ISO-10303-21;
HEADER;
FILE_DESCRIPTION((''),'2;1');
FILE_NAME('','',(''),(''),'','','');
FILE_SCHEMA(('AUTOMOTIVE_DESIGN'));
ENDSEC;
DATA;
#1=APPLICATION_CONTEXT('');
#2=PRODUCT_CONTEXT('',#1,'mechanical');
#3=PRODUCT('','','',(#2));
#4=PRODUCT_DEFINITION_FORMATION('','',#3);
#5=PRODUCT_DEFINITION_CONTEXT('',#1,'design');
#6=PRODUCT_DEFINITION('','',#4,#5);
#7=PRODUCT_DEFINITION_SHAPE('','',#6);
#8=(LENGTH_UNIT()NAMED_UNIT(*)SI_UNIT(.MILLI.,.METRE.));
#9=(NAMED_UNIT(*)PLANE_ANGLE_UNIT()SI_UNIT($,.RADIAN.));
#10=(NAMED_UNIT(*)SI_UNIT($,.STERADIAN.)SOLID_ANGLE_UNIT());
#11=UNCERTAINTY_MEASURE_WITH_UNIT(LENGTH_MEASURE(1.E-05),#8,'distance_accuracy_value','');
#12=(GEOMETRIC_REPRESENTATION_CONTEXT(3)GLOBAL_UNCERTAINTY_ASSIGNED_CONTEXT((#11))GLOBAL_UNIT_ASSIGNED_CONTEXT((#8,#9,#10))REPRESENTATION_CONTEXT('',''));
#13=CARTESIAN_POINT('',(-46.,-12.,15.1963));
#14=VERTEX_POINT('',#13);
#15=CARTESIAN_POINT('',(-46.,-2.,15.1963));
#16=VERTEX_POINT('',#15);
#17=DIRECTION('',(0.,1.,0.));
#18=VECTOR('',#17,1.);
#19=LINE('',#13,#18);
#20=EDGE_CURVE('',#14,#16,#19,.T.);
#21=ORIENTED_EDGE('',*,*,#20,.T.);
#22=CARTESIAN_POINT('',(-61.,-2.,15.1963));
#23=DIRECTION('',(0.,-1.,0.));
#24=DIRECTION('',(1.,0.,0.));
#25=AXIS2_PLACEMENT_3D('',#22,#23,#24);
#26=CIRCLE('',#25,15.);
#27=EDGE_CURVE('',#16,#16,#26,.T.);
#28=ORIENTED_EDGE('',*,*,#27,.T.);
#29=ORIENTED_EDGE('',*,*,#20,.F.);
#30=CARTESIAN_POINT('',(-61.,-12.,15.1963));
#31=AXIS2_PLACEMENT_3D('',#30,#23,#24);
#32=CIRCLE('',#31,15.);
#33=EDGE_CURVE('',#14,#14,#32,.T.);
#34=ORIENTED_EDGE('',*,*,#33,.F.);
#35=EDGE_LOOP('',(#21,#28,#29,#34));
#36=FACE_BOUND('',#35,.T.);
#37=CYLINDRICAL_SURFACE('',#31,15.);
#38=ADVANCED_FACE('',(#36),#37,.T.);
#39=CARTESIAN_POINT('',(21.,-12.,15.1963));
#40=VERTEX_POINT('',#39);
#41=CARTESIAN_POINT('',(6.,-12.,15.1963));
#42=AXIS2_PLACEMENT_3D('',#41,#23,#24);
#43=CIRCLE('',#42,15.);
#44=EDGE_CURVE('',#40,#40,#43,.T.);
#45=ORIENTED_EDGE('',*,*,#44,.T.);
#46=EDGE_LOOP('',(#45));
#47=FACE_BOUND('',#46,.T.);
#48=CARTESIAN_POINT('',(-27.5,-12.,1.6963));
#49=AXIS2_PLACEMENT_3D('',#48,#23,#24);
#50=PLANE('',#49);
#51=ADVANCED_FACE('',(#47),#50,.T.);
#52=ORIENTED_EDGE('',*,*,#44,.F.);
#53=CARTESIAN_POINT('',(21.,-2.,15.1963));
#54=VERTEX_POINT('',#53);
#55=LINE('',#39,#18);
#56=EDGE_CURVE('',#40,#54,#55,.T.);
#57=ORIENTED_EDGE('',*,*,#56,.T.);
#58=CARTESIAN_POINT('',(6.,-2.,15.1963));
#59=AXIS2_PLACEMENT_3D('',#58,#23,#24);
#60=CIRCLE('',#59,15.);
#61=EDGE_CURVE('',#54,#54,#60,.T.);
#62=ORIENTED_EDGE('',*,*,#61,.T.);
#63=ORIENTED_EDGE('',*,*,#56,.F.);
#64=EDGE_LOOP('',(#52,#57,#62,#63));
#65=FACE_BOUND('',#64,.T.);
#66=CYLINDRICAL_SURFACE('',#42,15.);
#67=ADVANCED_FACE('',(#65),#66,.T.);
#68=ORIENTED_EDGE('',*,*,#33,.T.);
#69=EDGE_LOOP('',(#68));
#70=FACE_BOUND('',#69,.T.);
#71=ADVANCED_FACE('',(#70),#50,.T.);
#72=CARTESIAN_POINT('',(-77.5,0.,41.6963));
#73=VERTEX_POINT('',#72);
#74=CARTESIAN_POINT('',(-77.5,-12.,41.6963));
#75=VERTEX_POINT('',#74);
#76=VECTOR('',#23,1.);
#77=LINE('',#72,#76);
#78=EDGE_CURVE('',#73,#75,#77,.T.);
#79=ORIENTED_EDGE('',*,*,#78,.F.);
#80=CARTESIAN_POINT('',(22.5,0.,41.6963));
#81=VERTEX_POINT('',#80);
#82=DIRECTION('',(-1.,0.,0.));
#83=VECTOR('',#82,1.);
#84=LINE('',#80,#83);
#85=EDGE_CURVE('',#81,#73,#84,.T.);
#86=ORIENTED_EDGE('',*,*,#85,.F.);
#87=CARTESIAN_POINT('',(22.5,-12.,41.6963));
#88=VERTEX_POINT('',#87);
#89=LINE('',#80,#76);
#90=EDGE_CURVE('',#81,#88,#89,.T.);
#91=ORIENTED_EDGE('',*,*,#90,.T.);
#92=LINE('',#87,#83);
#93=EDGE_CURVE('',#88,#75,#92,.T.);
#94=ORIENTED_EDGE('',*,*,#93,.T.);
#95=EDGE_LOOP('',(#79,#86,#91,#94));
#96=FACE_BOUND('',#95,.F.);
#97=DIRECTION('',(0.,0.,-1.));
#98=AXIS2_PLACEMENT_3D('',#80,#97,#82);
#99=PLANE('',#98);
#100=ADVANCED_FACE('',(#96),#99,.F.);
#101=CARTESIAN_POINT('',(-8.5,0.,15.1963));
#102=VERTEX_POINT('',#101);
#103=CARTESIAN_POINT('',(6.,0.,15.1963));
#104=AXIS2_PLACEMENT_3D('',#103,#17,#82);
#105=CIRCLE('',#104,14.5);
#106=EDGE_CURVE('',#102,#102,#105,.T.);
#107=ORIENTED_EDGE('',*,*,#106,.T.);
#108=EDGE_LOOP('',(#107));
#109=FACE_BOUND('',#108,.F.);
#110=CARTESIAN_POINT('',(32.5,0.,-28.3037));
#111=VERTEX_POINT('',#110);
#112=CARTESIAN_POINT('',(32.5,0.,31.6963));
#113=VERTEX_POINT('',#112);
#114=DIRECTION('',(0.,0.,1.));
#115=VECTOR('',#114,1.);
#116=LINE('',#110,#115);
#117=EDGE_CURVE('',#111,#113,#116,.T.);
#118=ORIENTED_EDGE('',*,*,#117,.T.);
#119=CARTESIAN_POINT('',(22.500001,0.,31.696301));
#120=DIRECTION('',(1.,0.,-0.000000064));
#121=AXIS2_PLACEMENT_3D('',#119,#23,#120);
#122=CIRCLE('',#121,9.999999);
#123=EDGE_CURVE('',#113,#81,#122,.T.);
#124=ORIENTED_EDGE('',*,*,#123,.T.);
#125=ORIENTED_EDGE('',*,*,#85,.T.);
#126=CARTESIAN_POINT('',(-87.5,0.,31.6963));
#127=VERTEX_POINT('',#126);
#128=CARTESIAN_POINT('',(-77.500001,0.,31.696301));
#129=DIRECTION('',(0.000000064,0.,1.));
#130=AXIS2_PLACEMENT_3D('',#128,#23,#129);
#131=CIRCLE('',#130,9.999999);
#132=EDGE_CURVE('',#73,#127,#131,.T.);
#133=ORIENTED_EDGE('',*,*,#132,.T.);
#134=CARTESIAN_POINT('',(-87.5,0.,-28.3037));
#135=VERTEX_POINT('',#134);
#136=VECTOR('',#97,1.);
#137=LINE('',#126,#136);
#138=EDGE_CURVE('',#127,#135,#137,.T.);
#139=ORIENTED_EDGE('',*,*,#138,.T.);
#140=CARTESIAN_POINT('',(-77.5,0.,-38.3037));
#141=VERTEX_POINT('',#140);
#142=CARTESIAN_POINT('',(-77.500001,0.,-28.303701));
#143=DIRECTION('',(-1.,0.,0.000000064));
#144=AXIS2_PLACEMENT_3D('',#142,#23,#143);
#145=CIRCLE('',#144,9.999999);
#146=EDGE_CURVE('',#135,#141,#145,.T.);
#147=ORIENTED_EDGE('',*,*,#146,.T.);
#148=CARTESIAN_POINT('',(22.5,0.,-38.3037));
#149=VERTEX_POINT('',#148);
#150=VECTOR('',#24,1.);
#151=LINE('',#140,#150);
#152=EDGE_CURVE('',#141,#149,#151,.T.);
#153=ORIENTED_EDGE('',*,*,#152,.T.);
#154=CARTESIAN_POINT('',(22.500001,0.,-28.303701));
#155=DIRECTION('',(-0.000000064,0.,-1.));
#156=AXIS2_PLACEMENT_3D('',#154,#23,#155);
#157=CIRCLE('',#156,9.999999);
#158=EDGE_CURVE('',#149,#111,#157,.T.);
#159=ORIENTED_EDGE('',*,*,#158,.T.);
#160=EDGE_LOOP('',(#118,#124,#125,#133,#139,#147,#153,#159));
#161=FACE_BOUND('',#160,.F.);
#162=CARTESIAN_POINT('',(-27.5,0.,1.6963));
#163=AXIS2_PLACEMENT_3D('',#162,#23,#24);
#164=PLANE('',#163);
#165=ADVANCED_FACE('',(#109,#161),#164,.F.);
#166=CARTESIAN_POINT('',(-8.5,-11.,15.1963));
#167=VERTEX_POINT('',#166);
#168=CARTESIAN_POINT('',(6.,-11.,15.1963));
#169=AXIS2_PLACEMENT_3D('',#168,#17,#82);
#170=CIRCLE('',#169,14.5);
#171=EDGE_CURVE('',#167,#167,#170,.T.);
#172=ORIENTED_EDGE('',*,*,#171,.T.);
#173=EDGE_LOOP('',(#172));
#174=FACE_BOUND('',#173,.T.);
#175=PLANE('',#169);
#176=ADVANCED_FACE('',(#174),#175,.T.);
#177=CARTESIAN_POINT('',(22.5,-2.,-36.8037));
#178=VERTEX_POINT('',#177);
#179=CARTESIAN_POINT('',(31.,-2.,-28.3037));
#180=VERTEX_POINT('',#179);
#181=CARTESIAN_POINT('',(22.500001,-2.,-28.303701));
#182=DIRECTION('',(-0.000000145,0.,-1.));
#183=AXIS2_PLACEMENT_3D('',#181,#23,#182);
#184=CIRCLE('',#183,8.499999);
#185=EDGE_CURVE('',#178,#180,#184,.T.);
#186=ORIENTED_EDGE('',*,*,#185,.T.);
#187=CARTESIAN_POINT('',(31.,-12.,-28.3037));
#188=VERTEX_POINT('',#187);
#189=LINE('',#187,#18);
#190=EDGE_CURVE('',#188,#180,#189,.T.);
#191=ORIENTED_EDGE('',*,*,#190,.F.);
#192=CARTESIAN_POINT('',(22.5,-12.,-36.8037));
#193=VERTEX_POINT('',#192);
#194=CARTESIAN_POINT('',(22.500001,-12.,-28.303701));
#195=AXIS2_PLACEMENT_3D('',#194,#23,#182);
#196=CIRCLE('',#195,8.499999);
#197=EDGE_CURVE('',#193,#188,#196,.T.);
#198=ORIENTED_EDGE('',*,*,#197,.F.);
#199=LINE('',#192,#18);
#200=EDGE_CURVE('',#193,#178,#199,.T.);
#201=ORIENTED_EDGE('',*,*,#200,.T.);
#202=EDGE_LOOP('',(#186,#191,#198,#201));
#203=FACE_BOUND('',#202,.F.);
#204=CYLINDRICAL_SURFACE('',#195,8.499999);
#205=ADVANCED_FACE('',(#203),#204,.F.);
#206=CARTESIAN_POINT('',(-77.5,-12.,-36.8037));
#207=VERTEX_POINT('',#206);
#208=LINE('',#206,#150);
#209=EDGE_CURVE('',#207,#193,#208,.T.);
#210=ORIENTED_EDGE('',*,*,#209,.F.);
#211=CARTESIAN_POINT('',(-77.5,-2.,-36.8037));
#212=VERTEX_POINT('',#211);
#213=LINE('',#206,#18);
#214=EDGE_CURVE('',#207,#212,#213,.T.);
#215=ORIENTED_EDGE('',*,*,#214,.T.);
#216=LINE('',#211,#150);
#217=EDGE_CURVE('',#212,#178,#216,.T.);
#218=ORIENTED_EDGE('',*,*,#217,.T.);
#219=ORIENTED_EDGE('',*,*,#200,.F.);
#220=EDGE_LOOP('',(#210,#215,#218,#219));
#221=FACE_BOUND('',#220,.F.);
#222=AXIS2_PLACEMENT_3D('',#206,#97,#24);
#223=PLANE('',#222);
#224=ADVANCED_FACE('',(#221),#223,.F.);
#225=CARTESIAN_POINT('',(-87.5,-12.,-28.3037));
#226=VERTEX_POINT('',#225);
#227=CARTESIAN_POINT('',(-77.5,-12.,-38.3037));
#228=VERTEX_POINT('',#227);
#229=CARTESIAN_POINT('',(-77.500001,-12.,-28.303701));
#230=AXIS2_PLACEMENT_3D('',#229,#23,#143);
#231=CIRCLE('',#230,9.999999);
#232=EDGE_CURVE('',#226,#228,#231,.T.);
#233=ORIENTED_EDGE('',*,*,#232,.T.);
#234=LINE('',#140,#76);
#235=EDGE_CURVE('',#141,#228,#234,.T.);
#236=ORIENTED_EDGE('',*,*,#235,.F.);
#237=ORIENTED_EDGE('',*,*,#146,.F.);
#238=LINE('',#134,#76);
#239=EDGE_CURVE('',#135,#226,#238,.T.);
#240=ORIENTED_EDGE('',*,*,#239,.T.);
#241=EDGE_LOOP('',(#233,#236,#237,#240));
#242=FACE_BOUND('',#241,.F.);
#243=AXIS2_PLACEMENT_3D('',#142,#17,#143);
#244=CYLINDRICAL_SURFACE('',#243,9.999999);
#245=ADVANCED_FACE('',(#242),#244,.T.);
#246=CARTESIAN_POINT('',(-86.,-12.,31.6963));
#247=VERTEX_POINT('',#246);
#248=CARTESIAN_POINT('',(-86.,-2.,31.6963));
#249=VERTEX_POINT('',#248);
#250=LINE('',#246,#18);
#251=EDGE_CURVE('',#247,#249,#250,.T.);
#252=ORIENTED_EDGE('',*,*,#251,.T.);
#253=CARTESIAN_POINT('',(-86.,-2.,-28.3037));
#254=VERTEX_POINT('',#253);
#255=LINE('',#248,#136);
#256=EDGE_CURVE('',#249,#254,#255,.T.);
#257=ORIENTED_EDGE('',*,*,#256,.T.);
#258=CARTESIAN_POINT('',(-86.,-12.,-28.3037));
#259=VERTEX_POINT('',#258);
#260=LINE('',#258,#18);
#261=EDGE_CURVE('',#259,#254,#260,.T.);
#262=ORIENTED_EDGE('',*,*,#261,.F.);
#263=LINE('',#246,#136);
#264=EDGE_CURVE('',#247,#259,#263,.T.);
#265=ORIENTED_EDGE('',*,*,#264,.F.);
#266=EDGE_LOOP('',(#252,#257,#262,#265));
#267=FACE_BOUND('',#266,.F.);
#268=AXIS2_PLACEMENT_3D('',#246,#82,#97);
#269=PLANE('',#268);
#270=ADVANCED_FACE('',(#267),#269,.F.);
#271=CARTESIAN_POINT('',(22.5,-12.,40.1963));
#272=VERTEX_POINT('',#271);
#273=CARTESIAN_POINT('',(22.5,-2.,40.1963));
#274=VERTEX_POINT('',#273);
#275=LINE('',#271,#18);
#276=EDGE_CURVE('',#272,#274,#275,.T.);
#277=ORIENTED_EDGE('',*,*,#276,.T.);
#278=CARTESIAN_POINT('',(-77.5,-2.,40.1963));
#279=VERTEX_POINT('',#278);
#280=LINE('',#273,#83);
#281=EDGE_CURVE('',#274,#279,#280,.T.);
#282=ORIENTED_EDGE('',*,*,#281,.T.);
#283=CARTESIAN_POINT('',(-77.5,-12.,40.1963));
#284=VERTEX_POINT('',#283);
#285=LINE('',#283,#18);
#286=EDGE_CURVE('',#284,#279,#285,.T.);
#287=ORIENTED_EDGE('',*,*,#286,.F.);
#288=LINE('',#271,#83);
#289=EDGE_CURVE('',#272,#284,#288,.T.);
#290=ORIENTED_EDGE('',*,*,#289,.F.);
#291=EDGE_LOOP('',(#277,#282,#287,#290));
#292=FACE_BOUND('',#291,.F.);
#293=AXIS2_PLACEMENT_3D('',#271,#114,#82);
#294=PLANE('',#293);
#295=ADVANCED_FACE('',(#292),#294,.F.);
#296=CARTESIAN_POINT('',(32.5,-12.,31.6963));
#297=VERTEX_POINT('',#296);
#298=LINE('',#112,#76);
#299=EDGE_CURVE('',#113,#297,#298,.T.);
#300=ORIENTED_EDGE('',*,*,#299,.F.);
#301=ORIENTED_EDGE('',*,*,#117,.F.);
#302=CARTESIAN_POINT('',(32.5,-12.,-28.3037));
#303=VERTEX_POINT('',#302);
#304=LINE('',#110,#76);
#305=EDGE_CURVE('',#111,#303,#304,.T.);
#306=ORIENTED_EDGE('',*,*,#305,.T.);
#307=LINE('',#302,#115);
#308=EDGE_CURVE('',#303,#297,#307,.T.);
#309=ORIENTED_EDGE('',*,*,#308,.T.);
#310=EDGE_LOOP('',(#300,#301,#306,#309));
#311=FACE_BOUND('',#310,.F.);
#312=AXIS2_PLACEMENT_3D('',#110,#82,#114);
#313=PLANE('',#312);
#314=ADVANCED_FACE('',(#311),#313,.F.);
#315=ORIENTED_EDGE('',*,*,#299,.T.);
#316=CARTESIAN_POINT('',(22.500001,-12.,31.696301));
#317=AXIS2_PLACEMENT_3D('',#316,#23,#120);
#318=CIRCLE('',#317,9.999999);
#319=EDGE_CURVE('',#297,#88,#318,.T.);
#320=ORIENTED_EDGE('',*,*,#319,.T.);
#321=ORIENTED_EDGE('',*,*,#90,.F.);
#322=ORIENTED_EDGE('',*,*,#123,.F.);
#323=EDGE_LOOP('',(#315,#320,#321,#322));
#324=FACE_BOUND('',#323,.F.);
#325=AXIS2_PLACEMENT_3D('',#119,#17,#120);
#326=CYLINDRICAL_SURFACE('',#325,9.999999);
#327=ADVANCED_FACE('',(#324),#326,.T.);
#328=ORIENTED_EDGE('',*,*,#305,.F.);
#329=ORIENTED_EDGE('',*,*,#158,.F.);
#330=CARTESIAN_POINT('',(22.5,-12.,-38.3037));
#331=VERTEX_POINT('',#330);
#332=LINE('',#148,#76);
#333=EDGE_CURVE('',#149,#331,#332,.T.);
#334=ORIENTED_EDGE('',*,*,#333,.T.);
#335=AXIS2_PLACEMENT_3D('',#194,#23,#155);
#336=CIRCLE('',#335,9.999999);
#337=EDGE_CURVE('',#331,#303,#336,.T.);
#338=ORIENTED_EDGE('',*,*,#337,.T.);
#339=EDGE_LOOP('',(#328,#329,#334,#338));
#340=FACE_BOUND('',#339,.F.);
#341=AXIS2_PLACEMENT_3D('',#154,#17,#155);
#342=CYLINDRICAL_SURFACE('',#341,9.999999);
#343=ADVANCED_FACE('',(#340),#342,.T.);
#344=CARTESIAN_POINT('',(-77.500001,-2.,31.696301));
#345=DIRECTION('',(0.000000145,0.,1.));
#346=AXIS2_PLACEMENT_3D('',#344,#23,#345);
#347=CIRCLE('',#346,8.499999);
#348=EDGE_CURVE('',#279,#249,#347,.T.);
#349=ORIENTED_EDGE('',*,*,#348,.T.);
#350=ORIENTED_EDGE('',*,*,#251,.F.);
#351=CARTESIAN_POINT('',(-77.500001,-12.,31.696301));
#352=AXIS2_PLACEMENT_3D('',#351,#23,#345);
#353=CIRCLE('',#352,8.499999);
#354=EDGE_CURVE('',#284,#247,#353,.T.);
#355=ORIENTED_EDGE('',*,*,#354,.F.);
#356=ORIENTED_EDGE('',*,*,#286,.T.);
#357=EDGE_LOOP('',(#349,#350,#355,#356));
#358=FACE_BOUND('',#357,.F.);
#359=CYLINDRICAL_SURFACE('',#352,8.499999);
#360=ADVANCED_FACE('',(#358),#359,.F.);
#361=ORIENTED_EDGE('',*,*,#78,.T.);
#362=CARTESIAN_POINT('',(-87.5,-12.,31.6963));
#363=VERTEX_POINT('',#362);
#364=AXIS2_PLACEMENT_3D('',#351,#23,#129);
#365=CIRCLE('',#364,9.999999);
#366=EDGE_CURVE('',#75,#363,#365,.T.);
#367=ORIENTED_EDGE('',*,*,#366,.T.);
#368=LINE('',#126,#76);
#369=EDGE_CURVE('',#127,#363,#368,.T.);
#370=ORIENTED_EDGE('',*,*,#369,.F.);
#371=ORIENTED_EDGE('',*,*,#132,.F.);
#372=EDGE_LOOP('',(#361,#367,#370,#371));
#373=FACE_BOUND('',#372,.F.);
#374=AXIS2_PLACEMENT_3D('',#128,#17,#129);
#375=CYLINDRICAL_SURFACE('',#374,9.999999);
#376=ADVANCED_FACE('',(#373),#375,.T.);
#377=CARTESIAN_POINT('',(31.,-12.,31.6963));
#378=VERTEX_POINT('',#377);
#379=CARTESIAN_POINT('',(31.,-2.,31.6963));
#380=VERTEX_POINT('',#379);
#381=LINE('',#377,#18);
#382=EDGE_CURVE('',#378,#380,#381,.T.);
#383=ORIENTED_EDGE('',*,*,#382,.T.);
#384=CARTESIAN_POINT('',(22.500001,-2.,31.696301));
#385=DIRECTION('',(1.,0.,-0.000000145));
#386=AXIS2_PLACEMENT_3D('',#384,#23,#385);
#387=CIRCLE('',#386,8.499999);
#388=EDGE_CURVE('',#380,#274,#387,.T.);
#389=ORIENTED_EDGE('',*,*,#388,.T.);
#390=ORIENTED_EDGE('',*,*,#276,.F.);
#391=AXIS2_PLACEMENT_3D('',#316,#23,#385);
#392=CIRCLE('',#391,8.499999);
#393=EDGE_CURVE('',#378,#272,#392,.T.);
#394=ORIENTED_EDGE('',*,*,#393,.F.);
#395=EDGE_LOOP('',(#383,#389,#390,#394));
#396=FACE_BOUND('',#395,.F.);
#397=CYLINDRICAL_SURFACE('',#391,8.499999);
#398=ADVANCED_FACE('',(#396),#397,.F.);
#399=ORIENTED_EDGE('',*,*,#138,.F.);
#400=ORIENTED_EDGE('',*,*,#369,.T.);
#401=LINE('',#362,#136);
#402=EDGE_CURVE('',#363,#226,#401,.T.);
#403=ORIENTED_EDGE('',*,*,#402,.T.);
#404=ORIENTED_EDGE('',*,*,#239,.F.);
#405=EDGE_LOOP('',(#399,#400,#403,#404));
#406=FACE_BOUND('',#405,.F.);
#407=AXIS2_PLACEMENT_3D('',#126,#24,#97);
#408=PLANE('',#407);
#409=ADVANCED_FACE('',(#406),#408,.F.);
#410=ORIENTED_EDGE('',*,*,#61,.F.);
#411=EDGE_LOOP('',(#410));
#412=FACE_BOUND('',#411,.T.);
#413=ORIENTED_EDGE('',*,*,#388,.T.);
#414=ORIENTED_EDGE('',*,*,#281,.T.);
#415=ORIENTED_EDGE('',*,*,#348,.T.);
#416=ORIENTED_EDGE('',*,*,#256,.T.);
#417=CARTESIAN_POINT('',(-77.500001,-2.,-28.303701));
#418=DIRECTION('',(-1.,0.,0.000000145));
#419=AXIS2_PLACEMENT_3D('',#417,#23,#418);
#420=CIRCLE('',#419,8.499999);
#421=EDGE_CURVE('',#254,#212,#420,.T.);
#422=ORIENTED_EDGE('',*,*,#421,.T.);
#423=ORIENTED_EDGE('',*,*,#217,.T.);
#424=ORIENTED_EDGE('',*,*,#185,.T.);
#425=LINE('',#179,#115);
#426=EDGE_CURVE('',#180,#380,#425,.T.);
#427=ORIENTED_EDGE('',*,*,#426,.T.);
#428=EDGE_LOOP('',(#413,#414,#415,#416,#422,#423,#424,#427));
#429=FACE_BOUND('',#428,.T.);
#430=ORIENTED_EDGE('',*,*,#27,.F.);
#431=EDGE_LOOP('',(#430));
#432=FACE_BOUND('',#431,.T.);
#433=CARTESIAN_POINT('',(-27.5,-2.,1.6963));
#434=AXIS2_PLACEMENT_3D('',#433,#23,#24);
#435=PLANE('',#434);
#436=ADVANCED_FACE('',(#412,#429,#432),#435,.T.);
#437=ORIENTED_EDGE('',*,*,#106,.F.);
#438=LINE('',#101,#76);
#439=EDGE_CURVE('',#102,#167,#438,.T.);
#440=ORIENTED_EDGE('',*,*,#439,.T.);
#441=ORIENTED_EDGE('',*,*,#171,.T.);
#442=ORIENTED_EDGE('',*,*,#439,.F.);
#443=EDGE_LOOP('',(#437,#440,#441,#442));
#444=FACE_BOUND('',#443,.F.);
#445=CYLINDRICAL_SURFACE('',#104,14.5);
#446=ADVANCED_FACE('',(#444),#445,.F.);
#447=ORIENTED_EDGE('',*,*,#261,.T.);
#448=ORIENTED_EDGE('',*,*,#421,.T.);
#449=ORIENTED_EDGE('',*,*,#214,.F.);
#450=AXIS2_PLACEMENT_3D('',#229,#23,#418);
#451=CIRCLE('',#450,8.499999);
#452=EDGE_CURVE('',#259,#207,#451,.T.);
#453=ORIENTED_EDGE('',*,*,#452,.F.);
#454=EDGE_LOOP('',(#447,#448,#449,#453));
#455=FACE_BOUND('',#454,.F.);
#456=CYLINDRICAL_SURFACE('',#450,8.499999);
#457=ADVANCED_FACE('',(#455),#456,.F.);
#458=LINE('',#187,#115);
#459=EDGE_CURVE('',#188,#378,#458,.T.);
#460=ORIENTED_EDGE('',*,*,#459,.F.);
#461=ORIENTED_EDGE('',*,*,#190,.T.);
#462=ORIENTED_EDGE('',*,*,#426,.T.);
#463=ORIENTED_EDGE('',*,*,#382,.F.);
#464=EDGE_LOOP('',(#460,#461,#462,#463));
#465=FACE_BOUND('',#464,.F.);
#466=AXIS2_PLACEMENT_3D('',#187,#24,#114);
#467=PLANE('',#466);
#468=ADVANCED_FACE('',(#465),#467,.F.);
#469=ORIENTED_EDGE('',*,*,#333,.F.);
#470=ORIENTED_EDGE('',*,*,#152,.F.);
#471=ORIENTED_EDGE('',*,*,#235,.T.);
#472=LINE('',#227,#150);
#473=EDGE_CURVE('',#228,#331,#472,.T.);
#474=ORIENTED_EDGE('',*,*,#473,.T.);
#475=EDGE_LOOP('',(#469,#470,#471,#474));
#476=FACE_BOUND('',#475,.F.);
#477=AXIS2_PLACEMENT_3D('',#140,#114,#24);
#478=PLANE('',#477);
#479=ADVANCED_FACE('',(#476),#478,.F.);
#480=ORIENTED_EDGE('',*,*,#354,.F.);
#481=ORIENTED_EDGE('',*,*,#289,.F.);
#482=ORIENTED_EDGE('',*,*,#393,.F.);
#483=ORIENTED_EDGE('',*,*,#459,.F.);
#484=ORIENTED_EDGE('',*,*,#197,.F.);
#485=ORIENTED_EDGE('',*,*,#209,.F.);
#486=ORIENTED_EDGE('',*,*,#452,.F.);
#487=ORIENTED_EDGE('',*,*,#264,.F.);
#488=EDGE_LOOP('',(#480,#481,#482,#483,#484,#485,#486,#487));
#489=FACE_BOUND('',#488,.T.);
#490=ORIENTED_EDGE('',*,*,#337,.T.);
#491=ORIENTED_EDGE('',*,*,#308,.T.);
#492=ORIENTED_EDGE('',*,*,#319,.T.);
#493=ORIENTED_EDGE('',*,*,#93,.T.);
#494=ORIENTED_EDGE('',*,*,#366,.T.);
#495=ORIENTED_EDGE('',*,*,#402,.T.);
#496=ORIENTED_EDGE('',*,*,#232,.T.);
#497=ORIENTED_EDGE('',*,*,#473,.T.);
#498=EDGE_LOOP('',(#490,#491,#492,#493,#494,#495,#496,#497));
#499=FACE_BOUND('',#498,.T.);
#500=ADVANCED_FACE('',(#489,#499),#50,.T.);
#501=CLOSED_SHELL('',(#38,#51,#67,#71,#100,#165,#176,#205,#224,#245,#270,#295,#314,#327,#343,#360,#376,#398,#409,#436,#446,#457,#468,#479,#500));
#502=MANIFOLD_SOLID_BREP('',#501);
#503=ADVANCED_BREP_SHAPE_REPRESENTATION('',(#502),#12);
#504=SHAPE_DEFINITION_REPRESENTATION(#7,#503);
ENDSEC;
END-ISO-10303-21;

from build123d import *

# Parameters (mm, degrees)
F1_DEPTH = 12
F2_R     = 15
F3_DEPTH = 10
F4_R     = 14.5
F5_DEPTH = 11


with BuildPart() as f1:
    # F0 (on Front) → F1 (new body)
    with BuildSketch(Plane.XZ):
        with BuildLine():
            ThreePointArc((-87.5, -28.3037), (-84.571068, -35.374768), (-77.5, -38.3037))
            Line((-77.5, -38.3037), (22.5, -38.3037))
            ThreePointArc((22.5, -38.3037), (29.571068, -35.374768), (32.5, -28.3037))
            Line((32.5, -28.3037), (32.5, 31.6963))
            ThreePointArc((32.5, 31.6963), (29.571068, 38.767368), (22.5, 41.6963))
            Line((22.5, 41.6963), (-77.5, 41.6963))
            ThreePointArc((-77.5, 41.6963), (-84.571068, 38.767368), (-87.5, 31.6963))
            Line((-87.5, 31.6963), (-87.5, -28.3037))
        make_face()
    extrude(amount=F1_DEPTH)

    # F2 (on face) → F3 (cut)
    with BuildSketch(Plane.XZ.offset(12)):
        with BuildLine():
            Line((31, -28.3037), (31, 31.6963))
            ThreePointArc((31, 31.6963), (28.510408, 37.706708), (22.5, 40.1963))
            Line((22.5, 40.1963), (-77.5, 40.1963))
            ThreePointArc((-77.5, 40.1963), (-83.510408, 37.706708), (-86, 31.6963))
            Line((-86, 31.6963), (-86, -28.3037))
            ThreePointArc((-86, -28.3037), (-83.510408, -34.314108), (-77.5, -36.8037))
            Line((-77.5, -36.8037), (22.5, -36.8037))
            ThreePointArc((22.5, -36.8037), (28.510408, -34.314108), (31, -28.3037))
        make_face()
        with Locations((-61, 15.1963)):
            Circle(F2_R, mode=Mode.SUBTRACT)
        with Locations((6, 15.1963)):
            Circle(F2_R, mode=Mode.SUBTRACT)
    extrude(amount=-F3_DEPTH, mode=Mode.SUBTRACT)

    # F4 (on face) → F5 (cut)
    with BuildSketch(Plane(origin=(0, 0, 0), x_dir=(-1, 0, 0), z_dir=(0, 1, 0))):
        with Locations((-6, 15.1963)):
            Circle(F4_R)
    extrude(amount=-F5_DEPTH, mode=Mode.SUBTRACT)


solid = f1.part
